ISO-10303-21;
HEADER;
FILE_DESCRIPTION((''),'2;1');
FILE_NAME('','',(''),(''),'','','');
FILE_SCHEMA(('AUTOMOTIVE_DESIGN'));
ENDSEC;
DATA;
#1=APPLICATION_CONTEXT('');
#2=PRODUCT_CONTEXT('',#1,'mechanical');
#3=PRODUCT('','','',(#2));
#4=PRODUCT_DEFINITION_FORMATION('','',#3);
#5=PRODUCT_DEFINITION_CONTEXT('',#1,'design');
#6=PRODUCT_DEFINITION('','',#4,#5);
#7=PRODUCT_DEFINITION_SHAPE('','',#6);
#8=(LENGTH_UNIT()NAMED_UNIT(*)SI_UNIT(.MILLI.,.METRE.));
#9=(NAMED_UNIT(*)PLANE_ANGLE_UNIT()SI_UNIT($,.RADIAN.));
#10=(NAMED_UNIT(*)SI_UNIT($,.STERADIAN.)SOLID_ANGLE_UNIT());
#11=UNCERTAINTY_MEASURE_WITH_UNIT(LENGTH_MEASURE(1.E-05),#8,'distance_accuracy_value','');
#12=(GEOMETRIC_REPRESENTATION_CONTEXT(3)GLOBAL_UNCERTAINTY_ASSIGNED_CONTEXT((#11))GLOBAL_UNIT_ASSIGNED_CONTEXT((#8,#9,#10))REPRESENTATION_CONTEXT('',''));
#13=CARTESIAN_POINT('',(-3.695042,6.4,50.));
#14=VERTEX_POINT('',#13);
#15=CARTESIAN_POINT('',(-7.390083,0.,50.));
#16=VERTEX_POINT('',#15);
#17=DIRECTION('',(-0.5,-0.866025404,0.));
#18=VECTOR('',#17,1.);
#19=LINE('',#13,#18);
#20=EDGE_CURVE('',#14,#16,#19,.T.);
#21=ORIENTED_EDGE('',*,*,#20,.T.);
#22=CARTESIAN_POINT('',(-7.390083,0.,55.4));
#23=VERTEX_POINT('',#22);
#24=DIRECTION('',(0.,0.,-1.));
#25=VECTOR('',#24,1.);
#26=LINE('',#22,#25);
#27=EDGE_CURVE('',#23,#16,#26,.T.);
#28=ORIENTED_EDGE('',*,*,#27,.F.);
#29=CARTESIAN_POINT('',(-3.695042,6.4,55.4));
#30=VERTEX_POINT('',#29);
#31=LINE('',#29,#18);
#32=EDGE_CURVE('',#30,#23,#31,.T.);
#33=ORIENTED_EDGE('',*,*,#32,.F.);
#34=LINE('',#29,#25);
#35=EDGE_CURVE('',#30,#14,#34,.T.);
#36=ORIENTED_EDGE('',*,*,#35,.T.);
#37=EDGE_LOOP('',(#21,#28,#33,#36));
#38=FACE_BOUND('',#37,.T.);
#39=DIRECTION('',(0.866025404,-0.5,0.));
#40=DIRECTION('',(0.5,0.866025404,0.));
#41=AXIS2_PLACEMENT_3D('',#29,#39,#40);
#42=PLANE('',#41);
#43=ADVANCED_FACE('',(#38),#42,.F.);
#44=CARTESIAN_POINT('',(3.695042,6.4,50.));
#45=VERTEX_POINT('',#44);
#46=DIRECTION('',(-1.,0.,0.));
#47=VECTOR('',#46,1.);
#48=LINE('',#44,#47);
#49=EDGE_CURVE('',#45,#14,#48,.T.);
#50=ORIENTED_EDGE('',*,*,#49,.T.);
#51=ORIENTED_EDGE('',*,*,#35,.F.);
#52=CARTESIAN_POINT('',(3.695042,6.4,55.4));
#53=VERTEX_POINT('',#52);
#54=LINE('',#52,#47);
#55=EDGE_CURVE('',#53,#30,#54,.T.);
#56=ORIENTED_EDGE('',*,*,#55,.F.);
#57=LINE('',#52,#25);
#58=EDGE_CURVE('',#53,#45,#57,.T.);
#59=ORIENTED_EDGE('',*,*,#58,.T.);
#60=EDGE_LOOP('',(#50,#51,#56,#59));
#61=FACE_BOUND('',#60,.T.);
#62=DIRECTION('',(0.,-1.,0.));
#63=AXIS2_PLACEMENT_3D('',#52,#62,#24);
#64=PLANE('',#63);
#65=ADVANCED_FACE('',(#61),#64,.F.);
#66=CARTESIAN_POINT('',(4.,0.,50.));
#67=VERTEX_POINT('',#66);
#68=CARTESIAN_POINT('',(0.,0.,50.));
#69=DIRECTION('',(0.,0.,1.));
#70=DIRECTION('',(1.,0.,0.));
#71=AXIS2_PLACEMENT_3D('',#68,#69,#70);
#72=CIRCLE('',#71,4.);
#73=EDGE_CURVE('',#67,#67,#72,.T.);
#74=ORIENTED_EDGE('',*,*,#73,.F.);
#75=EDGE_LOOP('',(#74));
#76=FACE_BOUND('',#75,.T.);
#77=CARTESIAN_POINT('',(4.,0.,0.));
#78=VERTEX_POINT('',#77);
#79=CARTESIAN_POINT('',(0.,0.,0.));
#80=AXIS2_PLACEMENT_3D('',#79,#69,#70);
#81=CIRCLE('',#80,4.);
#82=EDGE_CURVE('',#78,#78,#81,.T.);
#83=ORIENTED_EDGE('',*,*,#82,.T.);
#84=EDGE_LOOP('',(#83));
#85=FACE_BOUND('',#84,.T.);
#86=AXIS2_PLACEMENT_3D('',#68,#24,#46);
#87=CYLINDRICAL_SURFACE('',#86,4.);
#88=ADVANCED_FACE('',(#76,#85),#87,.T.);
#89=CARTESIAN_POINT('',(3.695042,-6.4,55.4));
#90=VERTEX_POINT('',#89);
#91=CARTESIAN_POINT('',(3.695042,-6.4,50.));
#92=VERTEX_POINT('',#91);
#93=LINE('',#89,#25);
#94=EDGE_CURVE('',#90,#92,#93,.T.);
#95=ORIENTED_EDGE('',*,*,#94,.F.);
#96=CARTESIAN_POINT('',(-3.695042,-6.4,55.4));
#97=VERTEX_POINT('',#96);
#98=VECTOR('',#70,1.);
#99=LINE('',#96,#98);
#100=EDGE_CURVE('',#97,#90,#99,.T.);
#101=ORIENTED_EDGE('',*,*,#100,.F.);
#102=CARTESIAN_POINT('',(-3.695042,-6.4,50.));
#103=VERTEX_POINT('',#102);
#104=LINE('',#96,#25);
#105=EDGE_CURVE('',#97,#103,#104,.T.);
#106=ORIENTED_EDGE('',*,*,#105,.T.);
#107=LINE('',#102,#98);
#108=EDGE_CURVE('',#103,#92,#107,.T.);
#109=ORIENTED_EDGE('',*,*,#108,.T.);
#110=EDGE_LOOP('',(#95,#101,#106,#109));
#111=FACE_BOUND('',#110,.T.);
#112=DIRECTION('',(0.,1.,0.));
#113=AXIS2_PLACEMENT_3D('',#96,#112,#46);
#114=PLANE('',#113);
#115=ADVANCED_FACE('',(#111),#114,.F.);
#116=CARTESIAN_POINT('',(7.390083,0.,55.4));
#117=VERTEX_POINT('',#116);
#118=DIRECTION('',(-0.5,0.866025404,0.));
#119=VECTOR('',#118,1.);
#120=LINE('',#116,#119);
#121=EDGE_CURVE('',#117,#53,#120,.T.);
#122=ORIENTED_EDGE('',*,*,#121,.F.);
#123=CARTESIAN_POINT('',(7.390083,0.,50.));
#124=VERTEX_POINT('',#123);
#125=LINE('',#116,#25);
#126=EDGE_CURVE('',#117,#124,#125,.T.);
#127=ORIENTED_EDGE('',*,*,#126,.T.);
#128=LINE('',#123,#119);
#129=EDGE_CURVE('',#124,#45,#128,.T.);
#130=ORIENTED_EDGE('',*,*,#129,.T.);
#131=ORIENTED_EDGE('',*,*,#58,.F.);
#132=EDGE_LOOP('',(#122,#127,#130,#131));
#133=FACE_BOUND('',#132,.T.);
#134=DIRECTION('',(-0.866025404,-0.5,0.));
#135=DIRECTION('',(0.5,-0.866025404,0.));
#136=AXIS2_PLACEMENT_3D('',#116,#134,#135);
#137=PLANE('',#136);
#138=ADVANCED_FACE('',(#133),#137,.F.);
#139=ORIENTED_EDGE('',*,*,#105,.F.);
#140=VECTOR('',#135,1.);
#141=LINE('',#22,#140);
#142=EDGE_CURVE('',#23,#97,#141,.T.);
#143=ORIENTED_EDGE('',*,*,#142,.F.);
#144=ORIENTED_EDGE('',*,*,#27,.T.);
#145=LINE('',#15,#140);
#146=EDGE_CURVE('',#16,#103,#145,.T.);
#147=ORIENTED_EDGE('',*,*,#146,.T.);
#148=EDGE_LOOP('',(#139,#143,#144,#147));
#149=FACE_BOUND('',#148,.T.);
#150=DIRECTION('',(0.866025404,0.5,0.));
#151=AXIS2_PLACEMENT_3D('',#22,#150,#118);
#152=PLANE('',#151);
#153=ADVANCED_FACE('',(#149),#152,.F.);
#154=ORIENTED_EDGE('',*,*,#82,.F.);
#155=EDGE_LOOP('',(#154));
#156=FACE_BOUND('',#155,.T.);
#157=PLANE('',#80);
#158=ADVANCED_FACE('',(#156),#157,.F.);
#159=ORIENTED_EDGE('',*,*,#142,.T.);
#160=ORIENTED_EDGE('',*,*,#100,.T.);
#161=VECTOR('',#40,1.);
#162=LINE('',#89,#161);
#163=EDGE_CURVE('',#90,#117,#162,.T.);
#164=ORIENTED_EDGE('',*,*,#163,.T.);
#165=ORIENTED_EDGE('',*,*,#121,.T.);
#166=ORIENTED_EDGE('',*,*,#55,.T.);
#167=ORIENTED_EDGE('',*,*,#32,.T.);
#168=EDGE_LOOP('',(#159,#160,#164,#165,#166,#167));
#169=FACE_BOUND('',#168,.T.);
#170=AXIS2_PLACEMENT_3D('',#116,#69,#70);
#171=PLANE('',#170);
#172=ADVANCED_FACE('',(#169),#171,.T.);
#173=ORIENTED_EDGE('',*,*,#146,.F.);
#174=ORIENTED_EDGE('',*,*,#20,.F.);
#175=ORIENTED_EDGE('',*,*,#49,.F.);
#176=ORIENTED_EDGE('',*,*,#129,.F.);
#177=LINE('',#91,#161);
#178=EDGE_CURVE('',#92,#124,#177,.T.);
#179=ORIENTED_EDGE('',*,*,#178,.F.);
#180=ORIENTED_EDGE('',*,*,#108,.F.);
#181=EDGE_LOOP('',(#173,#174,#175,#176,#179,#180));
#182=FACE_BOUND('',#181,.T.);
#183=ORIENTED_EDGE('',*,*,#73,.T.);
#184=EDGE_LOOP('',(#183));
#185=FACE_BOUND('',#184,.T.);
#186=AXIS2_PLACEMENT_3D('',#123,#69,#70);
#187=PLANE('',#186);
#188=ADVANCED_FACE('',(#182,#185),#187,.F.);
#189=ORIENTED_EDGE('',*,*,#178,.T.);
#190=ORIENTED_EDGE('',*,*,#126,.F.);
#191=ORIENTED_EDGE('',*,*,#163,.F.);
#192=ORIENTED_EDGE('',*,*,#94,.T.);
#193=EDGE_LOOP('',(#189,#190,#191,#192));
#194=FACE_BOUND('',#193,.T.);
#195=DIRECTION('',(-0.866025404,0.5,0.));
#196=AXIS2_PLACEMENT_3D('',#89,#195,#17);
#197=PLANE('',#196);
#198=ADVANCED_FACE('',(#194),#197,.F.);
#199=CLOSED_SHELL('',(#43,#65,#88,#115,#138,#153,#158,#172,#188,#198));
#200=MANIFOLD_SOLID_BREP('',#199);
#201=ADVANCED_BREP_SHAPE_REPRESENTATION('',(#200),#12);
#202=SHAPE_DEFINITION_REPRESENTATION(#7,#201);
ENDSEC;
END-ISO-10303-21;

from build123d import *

# Parameters (mm, degrees)
SKETCH1_R      = 4
EXTRUDE1_DEPTH = 50
EXTRUDE2_DEPTH = 5.4


with BuildPart() as part:
    # Sketch1 → Extrude1 (new body)
    with BuildSketch(Plane.XY):
        Circle(SKETCH1_R)
    extrude(amount=EXTRUDE1_DEPTH)

    # Sketch2 → Extrude2 (add)
    with BuildSketch(Plane.XY.offset(50)):
        Polygon((7.390083446, 0), (3.695041723, 6.4), (-3.695041723, 6.4), (-7.390083446, 0), (-3.695041723, -6.4), (3.695041723, -6.4), align=None)
    extrude(amount=EXTRUDE2_DEPTH)


solid = part.part
